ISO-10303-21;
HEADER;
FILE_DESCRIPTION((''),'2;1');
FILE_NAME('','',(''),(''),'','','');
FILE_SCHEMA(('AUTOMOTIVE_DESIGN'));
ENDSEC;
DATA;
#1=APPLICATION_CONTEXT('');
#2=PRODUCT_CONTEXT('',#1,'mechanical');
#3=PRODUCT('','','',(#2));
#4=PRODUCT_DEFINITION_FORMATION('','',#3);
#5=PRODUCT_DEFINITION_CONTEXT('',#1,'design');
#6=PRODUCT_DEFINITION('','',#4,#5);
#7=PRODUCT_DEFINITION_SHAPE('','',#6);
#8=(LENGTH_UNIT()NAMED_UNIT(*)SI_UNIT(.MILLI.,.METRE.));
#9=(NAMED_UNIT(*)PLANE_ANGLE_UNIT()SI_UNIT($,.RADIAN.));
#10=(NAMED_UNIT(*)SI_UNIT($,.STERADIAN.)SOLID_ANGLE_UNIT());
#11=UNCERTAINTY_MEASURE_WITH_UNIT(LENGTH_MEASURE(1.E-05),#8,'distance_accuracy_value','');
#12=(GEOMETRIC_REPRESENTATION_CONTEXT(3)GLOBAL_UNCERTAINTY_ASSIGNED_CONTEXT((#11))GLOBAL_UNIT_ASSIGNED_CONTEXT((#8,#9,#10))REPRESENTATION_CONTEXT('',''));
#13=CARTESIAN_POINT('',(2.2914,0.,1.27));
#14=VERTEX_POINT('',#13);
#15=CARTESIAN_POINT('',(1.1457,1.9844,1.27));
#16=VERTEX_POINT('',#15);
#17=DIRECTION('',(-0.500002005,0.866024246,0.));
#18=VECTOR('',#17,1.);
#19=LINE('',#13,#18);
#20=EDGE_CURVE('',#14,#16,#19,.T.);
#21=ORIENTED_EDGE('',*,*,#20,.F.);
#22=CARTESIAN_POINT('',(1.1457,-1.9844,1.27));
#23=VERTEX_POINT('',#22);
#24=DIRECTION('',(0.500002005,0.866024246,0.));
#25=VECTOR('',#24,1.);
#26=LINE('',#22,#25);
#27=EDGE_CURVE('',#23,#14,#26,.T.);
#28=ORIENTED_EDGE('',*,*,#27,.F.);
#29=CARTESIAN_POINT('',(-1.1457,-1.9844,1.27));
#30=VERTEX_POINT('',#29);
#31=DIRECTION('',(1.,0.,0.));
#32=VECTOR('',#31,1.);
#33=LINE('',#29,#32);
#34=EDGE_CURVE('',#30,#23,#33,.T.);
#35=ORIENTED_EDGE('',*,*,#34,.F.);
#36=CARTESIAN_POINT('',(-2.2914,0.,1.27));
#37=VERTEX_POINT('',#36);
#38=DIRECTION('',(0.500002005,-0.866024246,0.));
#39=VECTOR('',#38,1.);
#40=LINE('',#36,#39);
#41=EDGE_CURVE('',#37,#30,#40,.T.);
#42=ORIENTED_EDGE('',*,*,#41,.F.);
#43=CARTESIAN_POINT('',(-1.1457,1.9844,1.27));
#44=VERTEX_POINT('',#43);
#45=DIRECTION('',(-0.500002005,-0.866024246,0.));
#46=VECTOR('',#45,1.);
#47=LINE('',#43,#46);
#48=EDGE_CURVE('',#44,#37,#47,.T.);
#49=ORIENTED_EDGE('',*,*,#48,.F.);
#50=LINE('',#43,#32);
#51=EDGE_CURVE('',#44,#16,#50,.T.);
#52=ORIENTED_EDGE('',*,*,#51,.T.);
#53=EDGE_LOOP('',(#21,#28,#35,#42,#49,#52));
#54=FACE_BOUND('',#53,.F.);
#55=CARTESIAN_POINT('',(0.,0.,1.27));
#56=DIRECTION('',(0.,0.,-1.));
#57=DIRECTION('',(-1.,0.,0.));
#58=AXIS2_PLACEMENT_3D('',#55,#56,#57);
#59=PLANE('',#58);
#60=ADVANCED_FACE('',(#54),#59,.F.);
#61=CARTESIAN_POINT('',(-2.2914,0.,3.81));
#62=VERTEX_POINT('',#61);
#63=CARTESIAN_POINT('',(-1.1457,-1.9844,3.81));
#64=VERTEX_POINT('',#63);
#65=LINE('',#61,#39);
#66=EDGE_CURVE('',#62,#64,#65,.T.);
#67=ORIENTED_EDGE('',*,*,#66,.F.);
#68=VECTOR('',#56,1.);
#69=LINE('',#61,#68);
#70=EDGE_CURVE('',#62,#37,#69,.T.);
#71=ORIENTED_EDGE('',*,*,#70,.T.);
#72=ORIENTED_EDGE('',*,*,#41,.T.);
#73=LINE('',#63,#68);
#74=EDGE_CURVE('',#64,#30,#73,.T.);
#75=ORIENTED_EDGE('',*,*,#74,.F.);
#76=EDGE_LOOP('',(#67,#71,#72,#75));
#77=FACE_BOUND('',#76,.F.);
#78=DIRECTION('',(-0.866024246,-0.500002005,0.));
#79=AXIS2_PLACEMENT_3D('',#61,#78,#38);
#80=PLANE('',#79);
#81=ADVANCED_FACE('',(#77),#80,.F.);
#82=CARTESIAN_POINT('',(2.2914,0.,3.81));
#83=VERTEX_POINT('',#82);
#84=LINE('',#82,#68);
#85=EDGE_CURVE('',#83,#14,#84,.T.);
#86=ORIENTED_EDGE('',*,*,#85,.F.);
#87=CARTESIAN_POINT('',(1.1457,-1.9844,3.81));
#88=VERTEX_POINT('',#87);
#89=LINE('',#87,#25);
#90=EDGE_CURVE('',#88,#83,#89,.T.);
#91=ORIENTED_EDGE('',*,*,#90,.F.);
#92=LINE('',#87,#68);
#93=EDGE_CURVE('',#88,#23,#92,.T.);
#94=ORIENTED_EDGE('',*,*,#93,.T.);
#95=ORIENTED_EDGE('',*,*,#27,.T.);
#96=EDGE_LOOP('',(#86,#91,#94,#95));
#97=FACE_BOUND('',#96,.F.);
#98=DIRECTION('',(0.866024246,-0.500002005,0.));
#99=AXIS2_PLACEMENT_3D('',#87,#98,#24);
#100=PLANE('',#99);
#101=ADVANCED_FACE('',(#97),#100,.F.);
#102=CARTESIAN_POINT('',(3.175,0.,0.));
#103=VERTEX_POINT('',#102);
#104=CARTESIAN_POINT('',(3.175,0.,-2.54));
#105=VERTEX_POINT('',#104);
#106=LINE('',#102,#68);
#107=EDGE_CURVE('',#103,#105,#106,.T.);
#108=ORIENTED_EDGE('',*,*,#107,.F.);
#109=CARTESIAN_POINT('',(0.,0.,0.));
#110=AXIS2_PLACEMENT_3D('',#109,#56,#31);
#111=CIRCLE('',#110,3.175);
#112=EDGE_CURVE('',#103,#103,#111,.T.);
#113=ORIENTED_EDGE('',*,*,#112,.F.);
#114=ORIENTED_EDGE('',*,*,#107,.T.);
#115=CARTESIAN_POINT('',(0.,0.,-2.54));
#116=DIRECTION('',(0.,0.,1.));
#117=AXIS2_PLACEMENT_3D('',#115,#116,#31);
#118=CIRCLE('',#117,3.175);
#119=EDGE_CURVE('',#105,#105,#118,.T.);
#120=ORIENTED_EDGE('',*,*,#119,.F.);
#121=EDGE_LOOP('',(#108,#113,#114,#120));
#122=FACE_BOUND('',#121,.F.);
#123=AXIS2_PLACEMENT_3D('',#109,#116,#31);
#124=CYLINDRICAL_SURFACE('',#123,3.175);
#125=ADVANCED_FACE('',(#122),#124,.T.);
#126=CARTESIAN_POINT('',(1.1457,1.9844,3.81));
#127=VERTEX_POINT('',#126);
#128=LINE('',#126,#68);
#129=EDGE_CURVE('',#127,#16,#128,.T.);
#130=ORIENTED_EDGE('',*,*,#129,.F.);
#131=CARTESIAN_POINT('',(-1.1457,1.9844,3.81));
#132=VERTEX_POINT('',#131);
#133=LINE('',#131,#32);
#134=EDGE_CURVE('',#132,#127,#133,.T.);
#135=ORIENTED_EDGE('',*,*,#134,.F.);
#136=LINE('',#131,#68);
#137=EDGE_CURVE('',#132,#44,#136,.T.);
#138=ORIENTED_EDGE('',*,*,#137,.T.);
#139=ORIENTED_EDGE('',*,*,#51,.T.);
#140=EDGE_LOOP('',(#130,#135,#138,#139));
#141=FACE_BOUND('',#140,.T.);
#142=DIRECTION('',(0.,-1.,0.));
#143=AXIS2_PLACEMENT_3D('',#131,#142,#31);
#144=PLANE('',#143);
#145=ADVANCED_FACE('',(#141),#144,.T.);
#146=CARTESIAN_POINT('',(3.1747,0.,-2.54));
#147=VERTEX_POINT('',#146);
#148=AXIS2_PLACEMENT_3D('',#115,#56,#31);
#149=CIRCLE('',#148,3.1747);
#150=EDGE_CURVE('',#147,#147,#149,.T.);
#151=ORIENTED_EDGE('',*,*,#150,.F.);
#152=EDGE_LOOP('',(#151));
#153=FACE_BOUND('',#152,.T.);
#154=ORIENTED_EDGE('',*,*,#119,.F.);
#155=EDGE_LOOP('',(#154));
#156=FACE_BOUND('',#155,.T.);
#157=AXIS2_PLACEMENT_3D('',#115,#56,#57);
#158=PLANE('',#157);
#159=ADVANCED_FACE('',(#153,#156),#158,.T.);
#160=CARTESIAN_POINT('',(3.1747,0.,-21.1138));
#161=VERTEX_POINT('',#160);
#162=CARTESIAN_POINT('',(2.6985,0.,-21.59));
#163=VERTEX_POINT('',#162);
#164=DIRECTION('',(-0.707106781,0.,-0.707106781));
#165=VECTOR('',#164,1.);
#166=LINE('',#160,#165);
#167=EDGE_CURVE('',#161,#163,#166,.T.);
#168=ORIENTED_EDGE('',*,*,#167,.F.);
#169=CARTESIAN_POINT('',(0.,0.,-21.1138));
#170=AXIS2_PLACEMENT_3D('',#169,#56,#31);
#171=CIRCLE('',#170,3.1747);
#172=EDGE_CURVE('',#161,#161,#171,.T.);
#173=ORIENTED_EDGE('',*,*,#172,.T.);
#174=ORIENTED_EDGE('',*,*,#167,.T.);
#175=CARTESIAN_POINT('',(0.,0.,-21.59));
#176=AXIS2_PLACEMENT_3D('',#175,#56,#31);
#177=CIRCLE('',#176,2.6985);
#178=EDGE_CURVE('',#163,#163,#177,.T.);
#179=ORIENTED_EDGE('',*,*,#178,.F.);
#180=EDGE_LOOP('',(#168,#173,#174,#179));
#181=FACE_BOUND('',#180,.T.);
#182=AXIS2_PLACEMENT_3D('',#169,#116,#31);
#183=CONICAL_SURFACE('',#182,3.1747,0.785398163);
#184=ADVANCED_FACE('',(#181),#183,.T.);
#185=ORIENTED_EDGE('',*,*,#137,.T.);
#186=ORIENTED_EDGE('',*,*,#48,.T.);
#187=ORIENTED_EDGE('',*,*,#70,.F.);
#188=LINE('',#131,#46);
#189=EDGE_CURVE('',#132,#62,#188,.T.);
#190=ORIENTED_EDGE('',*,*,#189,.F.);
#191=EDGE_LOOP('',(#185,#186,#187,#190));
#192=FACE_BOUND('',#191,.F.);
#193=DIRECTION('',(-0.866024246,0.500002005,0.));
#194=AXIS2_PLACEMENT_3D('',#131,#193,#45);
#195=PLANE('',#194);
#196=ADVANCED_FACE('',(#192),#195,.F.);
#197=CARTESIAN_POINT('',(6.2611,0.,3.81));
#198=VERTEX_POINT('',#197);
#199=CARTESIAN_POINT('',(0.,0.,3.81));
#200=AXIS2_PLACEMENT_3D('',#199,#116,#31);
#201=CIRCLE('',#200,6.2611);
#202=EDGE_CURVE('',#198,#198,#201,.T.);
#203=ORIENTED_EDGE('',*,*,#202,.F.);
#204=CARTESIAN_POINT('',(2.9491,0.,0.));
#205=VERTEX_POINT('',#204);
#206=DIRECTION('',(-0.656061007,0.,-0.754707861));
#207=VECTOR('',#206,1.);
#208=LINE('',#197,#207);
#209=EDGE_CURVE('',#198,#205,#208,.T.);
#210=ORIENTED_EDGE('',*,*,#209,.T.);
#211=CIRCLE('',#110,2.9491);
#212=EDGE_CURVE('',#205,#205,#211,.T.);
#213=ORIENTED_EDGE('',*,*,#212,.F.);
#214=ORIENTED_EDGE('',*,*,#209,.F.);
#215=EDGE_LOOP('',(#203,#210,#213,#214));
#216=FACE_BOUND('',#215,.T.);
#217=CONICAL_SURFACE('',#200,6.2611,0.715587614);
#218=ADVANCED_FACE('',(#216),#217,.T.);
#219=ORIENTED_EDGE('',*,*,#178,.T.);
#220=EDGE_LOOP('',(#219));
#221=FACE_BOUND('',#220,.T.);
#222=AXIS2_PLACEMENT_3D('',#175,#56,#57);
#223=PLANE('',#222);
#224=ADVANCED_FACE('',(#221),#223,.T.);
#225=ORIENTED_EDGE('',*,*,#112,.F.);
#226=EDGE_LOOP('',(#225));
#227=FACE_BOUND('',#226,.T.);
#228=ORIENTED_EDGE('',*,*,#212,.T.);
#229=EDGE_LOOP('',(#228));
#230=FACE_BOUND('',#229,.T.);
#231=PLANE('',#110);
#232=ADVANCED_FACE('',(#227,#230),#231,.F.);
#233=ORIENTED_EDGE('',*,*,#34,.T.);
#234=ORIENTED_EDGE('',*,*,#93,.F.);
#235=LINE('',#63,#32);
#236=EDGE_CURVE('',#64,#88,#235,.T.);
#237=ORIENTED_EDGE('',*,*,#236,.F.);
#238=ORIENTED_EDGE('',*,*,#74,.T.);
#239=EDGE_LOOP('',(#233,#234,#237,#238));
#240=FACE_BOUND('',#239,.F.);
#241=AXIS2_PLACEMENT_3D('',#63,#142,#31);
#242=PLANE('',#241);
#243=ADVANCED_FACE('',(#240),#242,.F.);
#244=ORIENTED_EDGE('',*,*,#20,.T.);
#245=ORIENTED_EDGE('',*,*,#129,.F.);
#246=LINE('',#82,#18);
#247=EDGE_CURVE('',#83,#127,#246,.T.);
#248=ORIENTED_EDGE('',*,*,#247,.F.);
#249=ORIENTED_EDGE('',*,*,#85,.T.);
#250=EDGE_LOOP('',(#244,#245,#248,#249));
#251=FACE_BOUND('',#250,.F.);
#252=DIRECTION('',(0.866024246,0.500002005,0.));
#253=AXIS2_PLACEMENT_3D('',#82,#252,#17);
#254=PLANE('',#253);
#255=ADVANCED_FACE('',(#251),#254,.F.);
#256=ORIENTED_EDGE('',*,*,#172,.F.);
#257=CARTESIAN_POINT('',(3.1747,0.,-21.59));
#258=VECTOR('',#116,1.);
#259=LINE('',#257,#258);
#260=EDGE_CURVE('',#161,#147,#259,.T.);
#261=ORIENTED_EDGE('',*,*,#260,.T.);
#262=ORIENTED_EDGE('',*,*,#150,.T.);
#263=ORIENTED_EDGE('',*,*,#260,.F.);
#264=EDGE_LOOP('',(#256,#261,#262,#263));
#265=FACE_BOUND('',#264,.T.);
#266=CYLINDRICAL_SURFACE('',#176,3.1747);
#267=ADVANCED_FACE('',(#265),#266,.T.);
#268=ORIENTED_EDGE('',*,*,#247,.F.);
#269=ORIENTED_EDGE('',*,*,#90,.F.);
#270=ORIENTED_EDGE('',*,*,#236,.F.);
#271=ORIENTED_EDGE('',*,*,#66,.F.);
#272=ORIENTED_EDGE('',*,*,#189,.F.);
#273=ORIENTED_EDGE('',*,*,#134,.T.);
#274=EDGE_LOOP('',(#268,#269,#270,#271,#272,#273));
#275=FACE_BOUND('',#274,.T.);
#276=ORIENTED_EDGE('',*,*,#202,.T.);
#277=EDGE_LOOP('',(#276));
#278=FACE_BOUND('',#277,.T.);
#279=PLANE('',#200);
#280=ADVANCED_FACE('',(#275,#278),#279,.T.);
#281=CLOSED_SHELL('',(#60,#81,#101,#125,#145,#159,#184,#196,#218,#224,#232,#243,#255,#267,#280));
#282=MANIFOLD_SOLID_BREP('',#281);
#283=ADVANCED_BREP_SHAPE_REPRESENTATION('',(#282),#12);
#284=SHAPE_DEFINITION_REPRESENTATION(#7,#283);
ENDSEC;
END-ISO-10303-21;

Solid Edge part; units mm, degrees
sketch "Sketch1" plane through (0, 0, 0) normal (0, 0, 1) x (1, 0, 0)
  circle A0 centre (0, 0) radius 6.2611
  dimension "D1" = 12.5222
extrude "Protrusion1" add sketch "Sketch1" along normal blind 3.81
sketch "Sketch2" plane through (0, 0, 0) normal (0, 0, -1) x (1, 0, 0)
  circle A0 centre (0, 0) radius 3.175
extrude "Protrusion2" add sketch "Sketch2" along normal blind 21.59
sketch "Sketch3" plane through (0, 0, -21.59) normal (0, 0, -1) x (1, 0, 0)
  circle A0 centre (0, 0) radius 3.1747
extrude "Cutout1" cut sketch "Sketch3" against normal blind 19.05 flip side to cut
chamfer "Chamfer_1" distance 0.4762 angle 45 1 edges at (-3.1747, 0, -21.59)
sketch "Sketch4" plane through (0, 0, 3.81) normal (0, 0, 1) x (1, 0, 0)
  line L0 (-1.1457, 1.9844) -> (1.1457, 1.9844)
  line L1 (2.2914, 0) -> (1.1457, 1.9844)
  line L2 (1.1457, -1.9844) -> (2.2914, 0)
  line L3 (-1.1457, -1.9844) -> (1.1457, -1.9844)
  line L4 (-2.2914, 0) -> (-1.1457, -1.9844)
  line L5 (-1.1457, 1.9844) -> (-2.2914, 0)
  dimension "D1" = 3.9688
extrude "Cutout2" cut sketch "Sketch4" against normal blind 2.54
sketch "Sketch5" plane through (0, 0, 0) normal (0, -1, 0) x (1, 0, 0)
  line L0 (6.2611, 3.81) -> (2.9491, 0)
  line L1 (2.9491, 0) -> (6.2611, 0)
  line L2 (6.2611, 0) -> (6.2611, 3.81)
revolve "RevolvedCutout1" cut sketch "Sketch5" angle 360 about axis through (0, 0, 14.0017) along (0, 0, -1)
properties part number "107576"
